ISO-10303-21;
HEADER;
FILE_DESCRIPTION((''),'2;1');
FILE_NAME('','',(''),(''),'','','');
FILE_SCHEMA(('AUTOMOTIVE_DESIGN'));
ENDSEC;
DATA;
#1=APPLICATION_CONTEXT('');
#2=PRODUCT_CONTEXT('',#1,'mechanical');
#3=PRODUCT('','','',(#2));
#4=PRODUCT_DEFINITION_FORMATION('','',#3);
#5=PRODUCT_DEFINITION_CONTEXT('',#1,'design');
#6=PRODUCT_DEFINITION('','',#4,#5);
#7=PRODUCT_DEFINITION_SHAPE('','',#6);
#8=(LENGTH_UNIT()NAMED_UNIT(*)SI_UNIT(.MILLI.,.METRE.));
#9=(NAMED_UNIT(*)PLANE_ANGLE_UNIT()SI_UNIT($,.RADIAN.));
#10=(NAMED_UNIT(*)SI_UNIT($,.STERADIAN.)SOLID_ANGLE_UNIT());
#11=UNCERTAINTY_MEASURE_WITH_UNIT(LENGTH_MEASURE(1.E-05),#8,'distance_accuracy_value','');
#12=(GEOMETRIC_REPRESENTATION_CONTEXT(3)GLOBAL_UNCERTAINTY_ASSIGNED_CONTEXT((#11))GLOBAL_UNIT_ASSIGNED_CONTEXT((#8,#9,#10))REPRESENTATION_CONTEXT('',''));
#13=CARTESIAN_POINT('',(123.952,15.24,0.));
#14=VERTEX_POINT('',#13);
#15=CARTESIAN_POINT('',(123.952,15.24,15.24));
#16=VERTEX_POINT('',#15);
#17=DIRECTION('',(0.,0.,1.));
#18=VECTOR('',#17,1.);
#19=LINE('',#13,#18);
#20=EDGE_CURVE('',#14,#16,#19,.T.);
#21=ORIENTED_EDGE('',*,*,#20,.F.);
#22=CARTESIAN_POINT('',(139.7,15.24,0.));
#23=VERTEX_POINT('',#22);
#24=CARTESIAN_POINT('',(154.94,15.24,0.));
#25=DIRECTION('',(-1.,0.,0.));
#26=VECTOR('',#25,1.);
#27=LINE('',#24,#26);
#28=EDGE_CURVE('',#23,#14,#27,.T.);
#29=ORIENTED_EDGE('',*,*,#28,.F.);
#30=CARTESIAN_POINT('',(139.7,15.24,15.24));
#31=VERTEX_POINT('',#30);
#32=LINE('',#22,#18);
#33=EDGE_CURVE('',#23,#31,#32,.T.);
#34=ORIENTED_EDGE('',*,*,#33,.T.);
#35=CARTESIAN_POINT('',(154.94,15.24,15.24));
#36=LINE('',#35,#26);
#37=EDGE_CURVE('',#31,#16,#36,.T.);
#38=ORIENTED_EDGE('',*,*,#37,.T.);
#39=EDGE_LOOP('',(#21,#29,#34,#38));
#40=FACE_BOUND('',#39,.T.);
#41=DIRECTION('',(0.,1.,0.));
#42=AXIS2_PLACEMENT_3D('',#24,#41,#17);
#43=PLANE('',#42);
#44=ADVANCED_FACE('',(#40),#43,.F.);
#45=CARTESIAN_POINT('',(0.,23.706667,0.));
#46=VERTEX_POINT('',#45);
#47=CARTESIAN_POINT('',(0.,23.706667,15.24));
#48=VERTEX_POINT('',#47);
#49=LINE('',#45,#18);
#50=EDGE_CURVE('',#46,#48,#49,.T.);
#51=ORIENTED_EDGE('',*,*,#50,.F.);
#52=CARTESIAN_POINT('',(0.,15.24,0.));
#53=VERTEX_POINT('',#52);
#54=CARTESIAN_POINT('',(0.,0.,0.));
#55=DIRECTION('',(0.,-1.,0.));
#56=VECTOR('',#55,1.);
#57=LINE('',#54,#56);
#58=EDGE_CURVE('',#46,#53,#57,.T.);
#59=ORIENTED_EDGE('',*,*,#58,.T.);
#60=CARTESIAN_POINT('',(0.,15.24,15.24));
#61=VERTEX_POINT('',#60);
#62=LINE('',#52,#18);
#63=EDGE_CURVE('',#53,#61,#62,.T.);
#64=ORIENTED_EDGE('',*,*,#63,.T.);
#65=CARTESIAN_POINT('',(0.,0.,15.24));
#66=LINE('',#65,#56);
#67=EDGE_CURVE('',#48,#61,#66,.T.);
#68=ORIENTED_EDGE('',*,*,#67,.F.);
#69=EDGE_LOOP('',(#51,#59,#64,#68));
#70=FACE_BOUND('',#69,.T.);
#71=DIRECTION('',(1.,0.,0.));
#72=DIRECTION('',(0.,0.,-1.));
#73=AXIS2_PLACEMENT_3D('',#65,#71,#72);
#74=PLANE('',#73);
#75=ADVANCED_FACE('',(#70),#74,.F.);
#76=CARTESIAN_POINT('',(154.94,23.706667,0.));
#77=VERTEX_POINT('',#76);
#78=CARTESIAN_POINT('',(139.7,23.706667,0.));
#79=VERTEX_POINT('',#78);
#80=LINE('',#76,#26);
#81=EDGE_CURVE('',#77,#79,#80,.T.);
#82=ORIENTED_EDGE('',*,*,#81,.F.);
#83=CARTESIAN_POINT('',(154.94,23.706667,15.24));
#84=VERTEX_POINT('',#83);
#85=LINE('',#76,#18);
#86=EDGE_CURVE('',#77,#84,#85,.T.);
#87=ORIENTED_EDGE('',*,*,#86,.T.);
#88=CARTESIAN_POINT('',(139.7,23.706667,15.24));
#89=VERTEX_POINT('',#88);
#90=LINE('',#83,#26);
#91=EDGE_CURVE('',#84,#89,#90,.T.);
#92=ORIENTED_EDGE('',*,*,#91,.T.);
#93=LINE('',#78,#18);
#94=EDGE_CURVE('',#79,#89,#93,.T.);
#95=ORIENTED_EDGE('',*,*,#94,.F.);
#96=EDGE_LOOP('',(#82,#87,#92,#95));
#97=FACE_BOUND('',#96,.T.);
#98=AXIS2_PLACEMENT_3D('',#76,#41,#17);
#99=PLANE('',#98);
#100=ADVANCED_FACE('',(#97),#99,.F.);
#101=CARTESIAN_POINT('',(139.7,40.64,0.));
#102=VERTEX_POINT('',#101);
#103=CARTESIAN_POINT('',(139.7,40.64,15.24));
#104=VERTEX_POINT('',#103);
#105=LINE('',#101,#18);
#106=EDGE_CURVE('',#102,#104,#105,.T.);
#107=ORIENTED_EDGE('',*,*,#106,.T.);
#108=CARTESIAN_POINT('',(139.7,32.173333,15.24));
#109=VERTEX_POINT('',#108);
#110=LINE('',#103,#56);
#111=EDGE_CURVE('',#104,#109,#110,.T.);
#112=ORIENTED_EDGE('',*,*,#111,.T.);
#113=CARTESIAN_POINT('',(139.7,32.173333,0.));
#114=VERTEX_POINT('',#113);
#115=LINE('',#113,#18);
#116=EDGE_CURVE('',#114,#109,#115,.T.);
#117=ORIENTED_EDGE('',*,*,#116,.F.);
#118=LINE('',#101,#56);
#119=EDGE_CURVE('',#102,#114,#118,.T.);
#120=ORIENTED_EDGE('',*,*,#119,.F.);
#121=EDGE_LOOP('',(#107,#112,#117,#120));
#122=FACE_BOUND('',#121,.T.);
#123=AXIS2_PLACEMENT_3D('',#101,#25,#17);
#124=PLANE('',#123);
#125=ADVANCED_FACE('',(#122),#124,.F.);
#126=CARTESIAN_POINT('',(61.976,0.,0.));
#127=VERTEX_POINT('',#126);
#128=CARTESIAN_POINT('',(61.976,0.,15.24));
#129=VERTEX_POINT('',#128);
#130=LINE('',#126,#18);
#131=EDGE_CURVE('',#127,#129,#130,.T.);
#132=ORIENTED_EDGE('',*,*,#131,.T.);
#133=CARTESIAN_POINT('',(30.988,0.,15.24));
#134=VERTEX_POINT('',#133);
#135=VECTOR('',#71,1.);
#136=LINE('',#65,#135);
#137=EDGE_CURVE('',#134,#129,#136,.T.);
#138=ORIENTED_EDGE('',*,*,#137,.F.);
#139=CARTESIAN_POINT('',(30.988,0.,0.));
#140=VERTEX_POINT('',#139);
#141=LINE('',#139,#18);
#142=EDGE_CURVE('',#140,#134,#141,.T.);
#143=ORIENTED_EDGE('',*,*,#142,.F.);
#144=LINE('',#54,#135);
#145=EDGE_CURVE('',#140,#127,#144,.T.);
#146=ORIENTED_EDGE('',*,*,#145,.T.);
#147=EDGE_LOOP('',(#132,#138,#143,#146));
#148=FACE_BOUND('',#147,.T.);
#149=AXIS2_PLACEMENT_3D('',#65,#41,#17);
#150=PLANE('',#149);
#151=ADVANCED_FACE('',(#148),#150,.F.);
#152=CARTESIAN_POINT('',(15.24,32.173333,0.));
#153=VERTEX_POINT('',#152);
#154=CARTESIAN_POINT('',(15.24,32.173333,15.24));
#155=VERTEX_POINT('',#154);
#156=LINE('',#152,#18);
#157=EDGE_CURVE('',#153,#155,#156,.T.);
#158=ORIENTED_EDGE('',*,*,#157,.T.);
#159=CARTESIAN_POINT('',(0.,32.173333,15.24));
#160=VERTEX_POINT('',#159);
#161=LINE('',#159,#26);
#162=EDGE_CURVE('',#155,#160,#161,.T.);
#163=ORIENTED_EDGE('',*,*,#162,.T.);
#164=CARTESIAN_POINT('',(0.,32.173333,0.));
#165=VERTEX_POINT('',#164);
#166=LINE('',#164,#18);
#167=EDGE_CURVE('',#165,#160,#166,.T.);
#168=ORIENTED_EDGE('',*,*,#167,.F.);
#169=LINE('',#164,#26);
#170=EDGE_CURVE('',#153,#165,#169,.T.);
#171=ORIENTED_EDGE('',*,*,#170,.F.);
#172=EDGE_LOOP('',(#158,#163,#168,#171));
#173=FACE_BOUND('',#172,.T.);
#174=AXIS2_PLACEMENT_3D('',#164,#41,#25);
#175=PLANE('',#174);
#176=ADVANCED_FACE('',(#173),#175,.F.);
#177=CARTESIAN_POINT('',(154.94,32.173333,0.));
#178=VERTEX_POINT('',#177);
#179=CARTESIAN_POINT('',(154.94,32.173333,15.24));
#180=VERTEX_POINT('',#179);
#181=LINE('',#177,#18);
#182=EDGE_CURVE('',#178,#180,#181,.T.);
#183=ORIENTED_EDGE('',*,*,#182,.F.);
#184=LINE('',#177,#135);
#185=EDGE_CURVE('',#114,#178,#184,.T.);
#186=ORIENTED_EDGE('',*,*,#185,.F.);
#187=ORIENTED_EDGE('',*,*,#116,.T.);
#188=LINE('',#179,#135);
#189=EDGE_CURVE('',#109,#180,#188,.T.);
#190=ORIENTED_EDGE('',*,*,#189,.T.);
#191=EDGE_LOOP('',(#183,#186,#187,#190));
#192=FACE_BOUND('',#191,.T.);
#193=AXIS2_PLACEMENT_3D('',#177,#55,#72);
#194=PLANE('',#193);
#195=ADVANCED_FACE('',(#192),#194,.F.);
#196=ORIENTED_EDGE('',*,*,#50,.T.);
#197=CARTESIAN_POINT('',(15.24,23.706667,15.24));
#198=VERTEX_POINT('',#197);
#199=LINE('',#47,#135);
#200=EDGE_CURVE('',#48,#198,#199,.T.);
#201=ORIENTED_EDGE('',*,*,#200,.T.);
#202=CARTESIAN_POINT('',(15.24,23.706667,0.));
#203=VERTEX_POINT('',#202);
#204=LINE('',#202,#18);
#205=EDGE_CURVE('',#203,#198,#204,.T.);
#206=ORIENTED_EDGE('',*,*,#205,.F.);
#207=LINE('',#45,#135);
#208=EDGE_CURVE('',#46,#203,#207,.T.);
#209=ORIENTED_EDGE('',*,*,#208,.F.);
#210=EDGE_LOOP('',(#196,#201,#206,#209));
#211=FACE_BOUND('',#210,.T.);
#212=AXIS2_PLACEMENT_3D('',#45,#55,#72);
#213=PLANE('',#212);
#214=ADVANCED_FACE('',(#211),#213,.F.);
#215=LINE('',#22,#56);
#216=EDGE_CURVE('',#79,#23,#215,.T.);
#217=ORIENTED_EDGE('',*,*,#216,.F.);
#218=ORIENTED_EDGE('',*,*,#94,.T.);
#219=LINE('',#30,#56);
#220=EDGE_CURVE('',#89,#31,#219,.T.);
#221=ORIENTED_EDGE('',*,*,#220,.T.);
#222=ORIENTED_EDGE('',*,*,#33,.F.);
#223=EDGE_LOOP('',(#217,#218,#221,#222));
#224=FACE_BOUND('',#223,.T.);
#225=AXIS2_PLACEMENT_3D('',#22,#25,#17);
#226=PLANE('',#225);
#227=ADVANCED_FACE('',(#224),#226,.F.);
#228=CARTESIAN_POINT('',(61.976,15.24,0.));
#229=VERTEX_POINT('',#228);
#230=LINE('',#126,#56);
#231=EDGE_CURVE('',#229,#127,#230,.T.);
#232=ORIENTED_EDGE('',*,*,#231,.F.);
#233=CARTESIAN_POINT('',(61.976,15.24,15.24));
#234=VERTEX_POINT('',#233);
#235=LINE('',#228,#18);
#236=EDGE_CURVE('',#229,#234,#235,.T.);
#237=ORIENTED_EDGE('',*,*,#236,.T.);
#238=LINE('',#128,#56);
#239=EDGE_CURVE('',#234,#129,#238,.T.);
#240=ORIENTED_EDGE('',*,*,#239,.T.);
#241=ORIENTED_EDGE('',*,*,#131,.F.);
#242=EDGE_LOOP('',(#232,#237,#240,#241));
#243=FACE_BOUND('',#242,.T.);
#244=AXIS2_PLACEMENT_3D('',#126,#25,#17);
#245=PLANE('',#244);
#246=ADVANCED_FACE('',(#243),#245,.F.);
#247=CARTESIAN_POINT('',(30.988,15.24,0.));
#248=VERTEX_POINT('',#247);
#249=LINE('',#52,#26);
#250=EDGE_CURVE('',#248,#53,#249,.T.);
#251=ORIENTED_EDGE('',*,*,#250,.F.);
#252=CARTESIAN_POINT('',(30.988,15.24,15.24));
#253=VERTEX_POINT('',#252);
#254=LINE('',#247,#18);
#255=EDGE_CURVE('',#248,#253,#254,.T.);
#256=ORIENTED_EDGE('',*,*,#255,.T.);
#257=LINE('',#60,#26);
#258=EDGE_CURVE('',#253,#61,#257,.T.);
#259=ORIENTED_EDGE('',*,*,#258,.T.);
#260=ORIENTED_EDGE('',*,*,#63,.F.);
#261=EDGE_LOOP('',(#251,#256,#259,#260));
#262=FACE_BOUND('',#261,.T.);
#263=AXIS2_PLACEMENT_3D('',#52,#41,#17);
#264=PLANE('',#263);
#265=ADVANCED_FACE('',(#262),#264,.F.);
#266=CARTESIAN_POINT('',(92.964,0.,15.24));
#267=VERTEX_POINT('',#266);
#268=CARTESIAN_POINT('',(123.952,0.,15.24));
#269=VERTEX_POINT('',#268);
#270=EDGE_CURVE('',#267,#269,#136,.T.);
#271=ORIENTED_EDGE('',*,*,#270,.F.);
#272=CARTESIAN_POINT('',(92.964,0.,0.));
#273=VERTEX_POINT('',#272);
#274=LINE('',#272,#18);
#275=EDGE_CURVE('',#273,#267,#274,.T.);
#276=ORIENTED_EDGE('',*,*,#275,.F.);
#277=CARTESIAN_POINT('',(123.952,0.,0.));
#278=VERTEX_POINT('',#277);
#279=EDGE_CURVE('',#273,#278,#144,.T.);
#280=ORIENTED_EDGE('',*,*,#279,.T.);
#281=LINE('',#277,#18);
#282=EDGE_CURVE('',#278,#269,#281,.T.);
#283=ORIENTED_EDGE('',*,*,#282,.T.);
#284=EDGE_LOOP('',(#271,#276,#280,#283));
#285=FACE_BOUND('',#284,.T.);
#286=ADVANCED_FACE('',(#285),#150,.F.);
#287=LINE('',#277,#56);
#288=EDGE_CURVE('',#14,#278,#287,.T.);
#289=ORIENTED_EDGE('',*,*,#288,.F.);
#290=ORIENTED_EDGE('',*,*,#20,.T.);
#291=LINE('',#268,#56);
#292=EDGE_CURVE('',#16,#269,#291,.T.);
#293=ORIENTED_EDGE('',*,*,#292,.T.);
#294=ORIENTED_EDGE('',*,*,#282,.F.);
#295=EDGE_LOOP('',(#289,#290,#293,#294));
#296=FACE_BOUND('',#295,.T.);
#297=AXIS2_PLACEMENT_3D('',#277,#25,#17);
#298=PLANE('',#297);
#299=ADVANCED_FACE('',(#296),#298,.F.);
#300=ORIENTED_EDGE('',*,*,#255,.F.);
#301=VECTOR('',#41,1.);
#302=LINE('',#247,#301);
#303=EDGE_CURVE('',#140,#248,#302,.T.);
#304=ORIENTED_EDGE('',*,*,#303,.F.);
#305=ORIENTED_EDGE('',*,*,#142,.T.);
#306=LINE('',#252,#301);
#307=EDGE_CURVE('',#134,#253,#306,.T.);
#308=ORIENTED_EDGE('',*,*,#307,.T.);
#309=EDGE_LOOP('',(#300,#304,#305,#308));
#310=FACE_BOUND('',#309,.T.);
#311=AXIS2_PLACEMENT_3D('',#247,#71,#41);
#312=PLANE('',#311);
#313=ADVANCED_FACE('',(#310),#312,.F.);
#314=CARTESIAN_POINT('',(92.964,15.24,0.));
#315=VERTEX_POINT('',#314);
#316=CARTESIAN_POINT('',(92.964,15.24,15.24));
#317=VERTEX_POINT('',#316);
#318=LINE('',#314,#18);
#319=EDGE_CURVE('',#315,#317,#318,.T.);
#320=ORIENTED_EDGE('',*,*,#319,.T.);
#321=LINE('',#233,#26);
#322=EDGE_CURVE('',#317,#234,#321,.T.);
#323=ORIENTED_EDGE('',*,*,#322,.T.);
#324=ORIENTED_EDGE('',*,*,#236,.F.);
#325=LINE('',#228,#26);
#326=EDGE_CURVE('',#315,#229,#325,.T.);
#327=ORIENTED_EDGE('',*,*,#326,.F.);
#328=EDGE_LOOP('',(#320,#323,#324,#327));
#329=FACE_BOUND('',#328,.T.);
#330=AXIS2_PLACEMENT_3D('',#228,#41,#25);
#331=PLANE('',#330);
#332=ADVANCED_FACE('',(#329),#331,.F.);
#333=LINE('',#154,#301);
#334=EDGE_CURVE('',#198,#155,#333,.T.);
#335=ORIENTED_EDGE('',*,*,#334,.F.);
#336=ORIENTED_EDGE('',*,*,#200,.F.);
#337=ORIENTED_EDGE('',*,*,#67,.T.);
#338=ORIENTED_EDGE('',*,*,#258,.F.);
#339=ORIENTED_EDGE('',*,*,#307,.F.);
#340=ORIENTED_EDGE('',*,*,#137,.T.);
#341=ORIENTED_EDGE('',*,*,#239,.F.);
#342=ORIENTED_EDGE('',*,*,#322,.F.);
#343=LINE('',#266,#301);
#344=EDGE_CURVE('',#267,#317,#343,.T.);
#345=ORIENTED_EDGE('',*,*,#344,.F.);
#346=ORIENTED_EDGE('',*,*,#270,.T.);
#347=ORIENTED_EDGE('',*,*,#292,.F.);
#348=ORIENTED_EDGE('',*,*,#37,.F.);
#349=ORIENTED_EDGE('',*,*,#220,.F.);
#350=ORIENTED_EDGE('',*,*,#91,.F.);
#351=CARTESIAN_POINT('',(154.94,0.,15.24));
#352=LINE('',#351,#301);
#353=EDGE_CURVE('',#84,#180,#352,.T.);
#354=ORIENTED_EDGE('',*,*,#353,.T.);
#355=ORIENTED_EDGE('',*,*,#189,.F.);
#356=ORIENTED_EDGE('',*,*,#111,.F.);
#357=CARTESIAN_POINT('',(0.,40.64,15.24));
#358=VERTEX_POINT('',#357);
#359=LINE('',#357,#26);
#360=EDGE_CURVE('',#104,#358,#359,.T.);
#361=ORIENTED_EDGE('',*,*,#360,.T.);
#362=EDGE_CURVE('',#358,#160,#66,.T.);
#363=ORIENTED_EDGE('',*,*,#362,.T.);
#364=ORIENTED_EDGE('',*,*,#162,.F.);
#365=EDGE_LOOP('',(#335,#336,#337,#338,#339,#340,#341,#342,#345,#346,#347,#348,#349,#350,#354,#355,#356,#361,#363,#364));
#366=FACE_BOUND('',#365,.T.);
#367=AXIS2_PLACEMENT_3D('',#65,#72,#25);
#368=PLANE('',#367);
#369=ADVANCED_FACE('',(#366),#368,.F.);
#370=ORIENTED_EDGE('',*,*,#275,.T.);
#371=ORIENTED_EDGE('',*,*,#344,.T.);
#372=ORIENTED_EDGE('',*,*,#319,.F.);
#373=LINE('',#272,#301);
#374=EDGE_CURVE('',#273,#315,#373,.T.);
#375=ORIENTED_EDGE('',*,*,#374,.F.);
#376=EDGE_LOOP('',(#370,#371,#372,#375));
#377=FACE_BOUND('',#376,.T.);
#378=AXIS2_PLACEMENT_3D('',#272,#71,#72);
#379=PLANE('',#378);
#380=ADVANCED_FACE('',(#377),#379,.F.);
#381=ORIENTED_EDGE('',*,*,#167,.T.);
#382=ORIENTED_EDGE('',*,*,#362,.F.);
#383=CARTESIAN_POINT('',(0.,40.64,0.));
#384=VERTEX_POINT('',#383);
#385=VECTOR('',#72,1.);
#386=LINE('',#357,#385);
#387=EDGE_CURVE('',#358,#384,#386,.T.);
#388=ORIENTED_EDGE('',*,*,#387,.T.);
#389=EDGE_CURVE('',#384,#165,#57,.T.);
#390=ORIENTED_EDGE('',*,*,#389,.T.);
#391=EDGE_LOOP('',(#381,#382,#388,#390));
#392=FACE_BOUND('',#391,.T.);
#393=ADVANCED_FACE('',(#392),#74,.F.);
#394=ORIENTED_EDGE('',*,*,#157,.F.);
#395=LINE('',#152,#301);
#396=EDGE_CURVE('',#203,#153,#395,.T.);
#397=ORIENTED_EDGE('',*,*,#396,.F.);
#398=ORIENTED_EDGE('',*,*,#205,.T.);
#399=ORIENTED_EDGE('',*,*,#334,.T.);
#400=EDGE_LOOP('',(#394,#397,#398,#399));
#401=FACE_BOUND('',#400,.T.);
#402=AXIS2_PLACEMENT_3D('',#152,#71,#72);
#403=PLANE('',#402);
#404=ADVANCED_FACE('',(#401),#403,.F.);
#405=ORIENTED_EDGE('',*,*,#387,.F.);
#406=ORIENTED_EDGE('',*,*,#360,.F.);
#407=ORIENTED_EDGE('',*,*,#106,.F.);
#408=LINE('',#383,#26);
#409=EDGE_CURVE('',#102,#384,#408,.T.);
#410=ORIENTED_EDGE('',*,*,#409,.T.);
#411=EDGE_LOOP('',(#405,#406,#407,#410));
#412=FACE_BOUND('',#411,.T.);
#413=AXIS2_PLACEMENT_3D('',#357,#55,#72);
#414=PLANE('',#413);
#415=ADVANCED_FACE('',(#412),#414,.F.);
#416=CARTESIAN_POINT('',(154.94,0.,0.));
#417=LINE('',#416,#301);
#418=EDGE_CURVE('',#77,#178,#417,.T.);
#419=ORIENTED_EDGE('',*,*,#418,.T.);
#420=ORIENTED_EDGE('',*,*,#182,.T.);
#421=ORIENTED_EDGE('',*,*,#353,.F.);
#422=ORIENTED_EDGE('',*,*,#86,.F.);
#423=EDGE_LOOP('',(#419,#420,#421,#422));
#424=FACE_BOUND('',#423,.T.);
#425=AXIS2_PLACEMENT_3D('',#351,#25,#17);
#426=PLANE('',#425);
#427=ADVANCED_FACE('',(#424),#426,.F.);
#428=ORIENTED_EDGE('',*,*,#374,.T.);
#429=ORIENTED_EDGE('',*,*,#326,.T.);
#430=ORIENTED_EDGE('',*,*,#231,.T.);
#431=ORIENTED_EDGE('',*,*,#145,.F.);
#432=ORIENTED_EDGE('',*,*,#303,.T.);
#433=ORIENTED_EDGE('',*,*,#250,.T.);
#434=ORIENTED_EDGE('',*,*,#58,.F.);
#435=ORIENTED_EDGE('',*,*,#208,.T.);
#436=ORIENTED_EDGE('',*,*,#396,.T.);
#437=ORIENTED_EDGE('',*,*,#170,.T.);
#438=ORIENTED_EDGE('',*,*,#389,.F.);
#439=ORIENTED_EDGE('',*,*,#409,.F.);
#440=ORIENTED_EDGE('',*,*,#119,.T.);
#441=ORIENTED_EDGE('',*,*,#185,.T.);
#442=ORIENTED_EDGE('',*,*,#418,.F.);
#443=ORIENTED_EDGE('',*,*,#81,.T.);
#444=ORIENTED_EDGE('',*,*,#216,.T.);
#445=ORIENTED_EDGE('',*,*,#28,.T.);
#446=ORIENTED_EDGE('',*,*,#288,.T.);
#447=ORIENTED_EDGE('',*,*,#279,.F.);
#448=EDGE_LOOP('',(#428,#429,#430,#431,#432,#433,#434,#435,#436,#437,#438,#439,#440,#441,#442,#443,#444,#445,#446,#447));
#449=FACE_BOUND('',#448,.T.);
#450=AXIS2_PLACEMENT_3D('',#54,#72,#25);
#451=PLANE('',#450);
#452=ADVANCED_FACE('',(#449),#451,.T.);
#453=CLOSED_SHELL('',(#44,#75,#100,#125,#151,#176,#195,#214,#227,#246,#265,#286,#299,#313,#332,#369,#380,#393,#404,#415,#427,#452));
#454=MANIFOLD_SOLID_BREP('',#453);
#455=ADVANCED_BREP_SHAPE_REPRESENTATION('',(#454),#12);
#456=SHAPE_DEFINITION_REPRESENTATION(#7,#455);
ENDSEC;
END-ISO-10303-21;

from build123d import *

# Parameters (mm, degrees)
SKETCH1_W           = 154.94
SKETCH1_H           = 40.64
BOSS_EXTRUDE1_DEPTH = 15.24
SKETCH2_W           = 30.988
SKETCH2_H           = 15.24
CUT_EXTRUDE1_DEPTH  = 161.904539401
SKETCH3_W           = 15.24
SKETCH3_H           = 8.466666666
SKETCH3_H_2         = 8.466666667
CUT_EXTRUDE2_DEPTH  = 161.904539401


with BuildPart() as part:
    # Sketch1 → Boss-Extrude1 (new body)
    with BuildSketch(Plane.XY):
        with Locations((77.47, 20.32)):
            Rectangle(SKETCH1_W, SKETCH1_H)
    extrude(amount=BOSS_EXTRUDE1_DEPTH)

    # Sketch2 → Cut-Extrude1 (cut, through all)
    with BuildSketch(Plane.XY.offset(15.24)):
        with Locations((15.494, 7.62)):
            Rectangle(SKETCH2_W, SKETCH2_H)
        with Locations((77.47, 7.62)):
            Rectangle(SKETCH2_W, SKETCH2_H)
        with Locations((139.446, 7.62)):
            Rectangle(SKETCH2_W, SKETCH2_H)
    extrude(amount=-CUT_EXTRUDE1_DEPTH, mode=Mode.SUBTRACT)

    # Sketch3 → Cut-Extrude2 (cut, through all)
    with BuildSketch(Plane.XY.offset(15.24)):
        with Locations((7.62, 27.94)):
            Rectangle(SKETCH3_W, SKETCH3_H)
        with Locations((147.32, 36.406666667)):
            Rectangle(SKETCH3_W, SKETCH3_H_2)
        with Locations((147.32, 19.473333334)):
            Rectangle(SKETCH3_W, SKETCH3_H_2)
    extrude(amount=-CUT_EXTRUDE2_DEPTH, mode=Mode.SUBTRACT)


solid = part.part
